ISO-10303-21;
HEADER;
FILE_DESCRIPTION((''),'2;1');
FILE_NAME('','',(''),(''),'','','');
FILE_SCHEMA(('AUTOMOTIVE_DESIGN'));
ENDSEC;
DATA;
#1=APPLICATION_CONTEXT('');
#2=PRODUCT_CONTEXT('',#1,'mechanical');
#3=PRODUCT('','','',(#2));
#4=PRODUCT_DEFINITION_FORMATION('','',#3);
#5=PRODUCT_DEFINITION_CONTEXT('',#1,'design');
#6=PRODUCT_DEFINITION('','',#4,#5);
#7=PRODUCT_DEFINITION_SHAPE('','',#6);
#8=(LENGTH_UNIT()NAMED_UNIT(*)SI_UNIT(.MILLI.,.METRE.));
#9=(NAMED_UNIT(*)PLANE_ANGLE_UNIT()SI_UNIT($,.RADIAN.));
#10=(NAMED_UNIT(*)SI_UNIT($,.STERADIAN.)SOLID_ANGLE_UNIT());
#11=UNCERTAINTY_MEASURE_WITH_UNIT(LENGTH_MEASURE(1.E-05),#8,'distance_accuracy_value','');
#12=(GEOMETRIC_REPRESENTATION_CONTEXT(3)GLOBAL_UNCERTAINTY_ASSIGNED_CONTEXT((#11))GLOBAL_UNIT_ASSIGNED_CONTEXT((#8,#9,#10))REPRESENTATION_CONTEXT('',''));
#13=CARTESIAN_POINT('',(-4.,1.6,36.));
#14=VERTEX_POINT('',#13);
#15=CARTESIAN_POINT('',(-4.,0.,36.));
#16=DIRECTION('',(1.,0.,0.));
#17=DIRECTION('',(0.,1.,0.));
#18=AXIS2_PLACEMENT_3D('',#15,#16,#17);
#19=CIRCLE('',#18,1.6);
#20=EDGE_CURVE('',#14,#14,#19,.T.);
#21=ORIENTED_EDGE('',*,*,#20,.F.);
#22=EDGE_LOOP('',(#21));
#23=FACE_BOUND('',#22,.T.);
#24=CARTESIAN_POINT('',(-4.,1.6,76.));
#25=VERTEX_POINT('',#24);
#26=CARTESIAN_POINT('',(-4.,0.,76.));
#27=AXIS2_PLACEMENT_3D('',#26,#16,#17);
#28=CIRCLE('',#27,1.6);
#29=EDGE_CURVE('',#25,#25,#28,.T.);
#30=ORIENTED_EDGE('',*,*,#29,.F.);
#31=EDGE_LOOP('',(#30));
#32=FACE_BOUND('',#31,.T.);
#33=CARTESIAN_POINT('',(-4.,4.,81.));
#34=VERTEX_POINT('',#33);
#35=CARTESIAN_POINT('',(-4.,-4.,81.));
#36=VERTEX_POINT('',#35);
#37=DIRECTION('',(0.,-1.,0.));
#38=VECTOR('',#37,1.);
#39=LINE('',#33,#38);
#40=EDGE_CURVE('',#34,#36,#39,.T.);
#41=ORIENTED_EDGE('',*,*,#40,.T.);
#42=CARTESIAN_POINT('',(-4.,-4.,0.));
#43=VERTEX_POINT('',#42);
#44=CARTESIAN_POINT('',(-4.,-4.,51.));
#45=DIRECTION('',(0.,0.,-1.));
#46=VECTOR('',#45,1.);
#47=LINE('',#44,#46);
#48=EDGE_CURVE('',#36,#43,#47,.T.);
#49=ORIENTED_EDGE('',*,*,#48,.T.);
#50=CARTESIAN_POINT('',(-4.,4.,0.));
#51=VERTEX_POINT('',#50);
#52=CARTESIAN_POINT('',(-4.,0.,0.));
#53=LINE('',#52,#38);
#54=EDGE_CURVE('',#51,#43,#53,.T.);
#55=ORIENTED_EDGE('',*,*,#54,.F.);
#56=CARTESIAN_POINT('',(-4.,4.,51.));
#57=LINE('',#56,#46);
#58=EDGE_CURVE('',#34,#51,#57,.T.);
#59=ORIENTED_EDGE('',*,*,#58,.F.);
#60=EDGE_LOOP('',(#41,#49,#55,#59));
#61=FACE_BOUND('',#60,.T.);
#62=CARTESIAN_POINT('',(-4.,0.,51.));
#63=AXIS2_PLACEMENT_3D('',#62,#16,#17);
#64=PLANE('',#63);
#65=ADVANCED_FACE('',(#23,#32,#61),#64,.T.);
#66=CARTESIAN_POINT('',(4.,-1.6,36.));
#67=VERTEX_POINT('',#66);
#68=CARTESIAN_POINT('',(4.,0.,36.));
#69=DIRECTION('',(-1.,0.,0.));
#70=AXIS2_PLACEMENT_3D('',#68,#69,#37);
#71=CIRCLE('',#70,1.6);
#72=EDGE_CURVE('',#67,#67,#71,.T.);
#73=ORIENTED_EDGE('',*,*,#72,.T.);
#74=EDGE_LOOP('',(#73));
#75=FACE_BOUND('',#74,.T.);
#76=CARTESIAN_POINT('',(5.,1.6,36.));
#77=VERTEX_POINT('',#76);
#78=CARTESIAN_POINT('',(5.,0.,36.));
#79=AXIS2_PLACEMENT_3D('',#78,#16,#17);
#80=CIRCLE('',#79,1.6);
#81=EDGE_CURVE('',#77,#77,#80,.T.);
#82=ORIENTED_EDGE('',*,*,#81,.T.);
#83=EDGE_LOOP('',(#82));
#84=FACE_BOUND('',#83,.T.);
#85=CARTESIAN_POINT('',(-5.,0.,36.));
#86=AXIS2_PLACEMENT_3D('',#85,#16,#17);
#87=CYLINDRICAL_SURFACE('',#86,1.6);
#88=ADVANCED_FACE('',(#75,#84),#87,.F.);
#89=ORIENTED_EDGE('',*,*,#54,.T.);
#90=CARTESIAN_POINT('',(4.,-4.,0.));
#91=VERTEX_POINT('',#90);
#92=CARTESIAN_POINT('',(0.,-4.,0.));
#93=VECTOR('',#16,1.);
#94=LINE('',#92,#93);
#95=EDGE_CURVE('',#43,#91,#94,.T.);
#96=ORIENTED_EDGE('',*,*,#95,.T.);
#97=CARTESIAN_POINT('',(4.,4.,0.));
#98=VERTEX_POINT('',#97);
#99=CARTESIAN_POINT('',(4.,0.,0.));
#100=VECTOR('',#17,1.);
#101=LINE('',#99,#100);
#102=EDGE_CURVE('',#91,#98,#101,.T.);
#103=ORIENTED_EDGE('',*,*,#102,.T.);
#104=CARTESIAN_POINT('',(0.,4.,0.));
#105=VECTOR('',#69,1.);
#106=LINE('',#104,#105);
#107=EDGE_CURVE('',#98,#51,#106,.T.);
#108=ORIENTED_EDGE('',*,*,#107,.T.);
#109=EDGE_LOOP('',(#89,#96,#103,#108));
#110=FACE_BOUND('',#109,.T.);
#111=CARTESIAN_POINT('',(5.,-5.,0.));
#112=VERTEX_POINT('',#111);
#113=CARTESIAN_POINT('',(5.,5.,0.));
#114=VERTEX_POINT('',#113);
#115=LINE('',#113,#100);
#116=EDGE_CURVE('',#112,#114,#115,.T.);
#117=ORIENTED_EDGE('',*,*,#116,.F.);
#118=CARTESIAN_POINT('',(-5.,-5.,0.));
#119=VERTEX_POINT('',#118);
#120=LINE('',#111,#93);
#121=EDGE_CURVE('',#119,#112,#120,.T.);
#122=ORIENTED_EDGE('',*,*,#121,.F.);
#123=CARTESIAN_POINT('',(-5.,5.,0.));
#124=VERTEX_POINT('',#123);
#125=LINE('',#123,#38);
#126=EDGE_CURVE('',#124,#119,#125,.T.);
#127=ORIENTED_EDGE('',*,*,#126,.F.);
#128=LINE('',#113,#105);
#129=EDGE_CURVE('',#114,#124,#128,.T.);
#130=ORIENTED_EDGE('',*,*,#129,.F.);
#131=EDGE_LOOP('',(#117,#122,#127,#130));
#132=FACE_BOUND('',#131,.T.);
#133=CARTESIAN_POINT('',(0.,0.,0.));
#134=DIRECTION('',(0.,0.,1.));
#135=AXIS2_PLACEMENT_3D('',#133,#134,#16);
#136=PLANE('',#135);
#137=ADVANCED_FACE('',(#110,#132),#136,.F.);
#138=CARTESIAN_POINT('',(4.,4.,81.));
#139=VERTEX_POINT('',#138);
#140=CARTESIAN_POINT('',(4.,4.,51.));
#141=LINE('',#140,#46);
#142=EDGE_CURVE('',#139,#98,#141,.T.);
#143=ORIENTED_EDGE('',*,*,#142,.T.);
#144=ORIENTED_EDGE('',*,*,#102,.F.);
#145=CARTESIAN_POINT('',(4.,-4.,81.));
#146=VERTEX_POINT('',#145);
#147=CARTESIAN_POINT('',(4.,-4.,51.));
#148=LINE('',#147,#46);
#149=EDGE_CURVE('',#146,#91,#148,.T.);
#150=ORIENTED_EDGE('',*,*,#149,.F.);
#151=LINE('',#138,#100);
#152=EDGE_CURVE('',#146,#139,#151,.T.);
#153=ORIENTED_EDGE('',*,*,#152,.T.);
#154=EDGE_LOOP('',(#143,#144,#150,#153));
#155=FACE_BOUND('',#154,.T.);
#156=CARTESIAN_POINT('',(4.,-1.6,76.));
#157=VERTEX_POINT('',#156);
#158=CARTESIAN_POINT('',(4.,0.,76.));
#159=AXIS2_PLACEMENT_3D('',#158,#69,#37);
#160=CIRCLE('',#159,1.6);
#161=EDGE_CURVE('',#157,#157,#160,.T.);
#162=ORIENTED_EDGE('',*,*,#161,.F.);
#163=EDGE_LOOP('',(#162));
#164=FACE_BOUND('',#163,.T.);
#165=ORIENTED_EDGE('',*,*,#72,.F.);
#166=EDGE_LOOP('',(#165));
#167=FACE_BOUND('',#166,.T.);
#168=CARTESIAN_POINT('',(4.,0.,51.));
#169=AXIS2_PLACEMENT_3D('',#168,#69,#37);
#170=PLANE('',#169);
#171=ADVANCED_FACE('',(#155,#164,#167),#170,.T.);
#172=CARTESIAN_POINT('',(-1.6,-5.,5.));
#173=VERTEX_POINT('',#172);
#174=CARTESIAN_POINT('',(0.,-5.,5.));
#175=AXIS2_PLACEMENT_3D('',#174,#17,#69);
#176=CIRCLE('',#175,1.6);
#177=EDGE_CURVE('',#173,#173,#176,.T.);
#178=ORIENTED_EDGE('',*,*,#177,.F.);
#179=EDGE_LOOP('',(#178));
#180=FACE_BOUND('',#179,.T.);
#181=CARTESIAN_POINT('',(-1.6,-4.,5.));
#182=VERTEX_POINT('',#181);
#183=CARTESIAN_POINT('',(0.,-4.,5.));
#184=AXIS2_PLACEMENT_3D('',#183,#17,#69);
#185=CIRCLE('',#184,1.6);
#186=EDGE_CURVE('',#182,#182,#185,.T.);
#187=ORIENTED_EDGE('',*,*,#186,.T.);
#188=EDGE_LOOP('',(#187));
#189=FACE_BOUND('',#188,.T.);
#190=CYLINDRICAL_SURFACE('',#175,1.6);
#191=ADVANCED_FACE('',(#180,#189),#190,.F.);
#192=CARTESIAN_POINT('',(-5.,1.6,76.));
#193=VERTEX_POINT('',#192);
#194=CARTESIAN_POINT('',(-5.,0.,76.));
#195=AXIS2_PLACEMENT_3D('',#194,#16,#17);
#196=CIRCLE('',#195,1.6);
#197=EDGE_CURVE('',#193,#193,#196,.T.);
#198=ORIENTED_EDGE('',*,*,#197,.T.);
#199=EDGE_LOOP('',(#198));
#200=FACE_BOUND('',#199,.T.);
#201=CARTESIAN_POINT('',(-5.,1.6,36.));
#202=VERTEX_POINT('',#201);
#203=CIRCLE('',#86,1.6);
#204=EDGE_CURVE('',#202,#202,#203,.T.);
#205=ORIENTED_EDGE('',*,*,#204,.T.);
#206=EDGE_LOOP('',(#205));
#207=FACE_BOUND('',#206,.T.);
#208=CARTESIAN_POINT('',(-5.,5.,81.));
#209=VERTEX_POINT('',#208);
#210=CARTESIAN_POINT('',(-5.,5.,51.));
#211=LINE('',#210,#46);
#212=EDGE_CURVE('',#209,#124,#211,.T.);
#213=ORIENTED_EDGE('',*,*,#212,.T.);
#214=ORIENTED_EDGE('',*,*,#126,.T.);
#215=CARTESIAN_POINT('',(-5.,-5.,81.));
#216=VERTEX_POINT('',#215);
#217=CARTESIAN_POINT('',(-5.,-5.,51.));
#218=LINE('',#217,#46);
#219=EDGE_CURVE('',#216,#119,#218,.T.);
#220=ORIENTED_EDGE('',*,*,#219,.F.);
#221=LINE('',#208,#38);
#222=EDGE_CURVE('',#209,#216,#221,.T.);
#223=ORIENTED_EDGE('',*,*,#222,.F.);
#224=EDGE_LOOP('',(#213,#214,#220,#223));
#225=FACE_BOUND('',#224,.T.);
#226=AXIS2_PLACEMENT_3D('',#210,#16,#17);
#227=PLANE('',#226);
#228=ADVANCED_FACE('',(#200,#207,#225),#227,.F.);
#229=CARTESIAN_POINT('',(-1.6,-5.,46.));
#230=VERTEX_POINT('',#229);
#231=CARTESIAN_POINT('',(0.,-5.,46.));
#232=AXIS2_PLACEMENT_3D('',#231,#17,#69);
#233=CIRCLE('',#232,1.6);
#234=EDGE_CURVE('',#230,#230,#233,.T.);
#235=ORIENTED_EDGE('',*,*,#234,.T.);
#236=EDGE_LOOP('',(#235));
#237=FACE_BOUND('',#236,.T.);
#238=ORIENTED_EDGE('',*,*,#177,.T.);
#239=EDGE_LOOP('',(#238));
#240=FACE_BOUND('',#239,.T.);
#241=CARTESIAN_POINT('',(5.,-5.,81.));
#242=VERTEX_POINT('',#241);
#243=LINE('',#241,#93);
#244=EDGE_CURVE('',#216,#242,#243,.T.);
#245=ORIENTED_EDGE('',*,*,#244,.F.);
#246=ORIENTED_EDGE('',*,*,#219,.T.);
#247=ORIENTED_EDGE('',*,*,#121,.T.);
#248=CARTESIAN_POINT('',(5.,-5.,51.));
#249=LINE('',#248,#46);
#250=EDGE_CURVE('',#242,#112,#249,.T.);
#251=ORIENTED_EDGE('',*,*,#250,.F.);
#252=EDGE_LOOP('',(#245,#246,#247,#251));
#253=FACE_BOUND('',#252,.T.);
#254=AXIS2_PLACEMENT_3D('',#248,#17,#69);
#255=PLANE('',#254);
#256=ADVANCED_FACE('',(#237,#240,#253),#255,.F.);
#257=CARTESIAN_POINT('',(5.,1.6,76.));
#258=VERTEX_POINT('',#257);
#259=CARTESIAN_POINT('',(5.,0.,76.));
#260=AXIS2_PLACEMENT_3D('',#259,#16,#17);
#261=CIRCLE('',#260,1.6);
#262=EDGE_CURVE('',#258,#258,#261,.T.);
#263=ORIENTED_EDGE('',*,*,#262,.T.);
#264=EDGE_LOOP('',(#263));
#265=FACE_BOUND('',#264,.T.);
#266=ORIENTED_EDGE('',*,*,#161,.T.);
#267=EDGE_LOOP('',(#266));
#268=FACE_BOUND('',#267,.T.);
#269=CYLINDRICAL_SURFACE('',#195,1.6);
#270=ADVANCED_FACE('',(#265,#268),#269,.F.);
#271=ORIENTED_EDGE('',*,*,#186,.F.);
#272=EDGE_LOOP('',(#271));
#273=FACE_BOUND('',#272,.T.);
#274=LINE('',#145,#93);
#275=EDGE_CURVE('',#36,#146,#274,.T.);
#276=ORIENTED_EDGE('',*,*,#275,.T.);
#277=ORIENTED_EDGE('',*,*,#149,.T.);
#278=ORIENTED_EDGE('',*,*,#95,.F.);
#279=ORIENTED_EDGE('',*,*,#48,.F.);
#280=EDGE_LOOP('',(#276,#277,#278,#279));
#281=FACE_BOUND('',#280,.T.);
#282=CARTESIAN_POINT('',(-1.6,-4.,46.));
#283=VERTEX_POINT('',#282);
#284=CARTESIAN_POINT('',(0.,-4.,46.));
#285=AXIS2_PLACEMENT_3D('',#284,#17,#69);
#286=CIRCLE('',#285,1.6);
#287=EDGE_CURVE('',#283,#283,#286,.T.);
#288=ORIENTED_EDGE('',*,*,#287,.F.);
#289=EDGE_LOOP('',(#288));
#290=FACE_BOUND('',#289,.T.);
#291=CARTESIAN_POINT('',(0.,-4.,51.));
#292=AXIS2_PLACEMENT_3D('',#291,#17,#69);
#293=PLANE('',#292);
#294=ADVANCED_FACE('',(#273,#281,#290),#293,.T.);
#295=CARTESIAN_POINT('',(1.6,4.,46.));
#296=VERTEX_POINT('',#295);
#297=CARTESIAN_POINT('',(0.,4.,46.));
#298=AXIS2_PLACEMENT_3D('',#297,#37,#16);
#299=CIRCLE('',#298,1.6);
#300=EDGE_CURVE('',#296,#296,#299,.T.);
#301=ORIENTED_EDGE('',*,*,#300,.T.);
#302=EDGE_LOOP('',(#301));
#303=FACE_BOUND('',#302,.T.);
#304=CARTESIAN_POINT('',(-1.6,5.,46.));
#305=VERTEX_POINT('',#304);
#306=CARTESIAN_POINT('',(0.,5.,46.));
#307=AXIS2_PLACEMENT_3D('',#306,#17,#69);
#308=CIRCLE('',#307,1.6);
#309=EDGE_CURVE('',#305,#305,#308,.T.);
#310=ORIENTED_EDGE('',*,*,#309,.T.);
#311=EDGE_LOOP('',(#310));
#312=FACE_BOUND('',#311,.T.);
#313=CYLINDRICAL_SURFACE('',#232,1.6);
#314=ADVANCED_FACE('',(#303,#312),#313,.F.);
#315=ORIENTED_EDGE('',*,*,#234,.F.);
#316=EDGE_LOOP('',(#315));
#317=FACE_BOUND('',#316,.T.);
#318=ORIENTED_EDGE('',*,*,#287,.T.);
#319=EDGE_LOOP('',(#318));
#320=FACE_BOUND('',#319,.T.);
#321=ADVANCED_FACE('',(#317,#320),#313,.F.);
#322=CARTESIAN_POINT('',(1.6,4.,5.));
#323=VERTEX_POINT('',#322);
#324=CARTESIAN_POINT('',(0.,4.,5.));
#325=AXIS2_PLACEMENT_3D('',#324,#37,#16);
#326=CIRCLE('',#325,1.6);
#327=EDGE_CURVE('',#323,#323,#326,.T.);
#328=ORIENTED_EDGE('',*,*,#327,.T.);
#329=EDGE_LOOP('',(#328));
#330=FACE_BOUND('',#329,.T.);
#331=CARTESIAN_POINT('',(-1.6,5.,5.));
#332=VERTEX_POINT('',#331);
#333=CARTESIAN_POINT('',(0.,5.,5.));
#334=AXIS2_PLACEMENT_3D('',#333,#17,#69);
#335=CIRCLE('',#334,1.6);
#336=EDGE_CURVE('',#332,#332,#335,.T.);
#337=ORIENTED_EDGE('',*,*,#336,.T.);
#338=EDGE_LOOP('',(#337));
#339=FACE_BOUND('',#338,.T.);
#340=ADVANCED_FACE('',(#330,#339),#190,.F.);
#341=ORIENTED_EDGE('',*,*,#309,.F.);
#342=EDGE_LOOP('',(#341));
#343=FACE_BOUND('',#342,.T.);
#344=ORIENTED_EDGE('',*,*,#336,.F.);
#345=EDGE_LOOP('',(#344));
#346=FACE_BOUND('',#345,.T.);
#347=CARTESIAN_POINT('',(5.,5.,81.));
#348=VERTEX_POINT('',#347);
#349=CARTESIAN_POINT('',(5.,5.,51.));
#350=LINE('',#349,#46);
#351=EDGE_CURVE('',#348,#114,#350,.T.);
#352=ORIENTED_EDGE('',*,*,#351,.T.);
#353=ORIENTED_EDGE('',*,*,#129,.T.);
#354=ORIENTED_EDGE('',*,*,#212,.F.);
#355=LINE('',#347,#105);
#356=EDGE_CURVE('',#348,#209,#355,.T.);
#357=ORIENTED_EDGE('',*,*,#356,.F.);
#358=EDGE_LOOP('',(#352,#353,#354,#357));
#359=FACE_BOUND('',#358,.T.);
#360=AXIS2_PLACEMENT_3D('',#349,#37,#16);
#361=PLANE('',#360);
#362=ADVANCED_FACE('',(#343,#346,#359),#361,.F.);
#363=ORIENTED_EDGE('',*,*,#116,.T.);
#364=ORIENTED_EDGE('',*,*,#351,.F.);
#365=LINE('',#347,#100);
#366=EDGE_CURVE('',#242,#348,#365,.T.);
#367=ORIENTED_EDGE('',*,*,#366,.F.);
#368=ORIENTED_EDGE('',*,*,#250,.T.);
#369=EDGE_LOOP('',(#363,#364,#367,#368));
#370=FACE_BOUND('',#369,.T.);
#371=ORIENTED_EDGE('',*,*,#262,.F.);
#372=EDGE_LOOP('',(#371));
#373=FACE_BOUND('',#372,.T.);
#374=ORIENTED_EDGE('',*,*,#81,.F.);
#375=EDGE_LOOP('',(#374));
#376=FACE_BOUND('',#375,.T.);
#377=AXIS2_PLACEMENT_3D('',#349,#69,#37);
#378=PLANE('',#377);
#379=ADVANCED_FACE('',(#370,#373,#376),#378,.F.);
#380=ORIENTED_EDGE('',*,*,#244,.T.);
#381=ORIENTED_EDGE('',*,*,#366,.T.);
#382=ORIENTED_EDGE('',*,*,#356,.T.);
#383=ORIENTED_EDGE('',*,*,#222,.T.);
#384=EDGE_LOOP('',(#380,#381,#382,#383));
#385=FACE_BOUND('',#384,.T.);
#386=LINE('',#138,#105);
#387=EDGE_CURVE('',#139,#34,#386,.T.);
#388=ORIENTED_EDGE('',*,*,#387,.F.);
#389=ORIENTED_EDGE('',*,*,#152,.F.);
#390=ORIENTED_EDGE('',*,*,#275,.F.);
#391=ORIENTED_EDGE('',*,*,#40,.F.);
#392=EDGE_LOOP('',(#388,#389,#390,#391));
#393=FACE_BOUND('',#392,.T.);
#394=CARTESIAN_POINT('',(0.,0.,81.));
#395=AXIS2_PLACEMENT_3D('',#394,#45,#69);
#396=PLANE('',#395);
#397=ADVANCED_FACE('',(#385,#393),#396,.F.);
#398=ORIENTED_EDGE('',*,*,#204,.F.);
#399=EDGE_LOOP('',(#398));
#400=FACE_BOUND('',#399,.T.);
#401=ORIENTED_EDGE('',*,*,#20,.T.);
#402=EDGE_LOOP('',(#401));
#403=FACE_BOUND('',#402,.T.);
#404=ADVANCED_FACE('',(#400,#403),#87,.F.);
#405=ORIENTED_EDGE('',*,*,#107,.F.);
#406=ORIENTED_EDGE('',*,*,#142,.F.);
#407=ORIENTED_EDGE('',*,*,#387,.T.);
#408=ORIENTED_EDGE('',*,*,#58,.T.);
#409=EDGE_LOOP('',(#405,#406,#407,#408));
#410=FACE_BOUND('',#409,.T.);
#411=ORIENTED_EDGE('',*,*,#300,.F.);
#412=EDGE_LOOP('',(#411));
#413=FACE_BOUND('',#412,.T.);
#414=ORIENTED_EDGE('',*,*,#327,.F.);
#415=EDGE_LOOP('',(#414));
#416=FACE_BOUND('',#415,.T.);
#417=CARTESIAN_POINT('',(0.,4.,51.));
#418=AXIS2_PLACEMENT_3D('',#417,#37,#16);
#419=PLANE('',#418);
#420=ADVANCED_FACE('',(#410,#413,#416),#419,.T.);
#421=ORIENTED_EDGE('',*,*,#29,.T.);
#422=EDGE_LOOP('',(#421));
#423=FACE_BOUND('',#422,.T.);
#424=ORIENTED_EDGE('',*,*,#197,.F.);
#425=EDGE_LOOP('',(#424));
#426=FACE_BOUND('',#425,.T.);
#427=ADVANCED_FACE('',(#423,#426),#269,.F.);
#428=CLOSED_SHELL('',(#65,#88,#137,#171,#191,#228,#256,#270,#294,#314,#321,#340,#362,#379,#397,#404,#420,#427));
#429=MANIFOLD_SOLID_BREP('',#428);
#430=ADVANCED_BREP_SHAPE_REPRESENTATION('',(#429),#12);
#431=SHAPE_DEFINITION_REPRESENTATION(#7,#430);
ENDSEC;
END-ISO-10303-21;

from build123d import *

# Parameters (mm, degrees)
SKETCH_1_W          = 10
SKETCH_1_H          = 10
SKETCH_1_W_2        = 8
SKETCH_1_H_2        = 8
EXTRUDE_1_DEPTH     = 51
SKETCH_2_R          = 1.6
CUT_EXTRUDE_1_DEPTH = 53.211109929
SKETCH_3_R          = 1.6
CUT_EXTRUDE_2_DEPTH = 10
SKETCH_4_W          = 10
SKETCH_4_H          = 10
SKETCH_4_W_2        = 8
SKETCH_4_H_2        = 8
EXTRUDE_1_2_DEPTH   = 30
SKETCH_5_R          = 1.6
CUT_EXTRUDE_3_DEPTH = 82.767964387


with BuildPart() as part:
    # ｽｹｯﾁ1 → Extrude 1 (new body)
    with BuildSketch(Plane.XY):
        Rectangle(SKETCH_1_W, SKETCH_1_H)
        Rectangle(SKETCH_1_W_2, SKETCH_1_H_2, mode=Mode.SUBTRACT)
    extrude(amount=EXTRUDE_1_DEPTH)

    # ｽｹｯﾁ2 → ｶｯﾄ - 押し出し1 (cut, through all)
    with BuildSketch(Plane(origin=(5, 0, 0), x_dir=(0, 0, -1), z_dir=(1, 0, 0))):
        with Locations(Location((-36, 0, 0), (0, 0, 90))):
            Circle(SKETCH_2_R)
    extrude(amount=-CUT_EXTRUDE_1_DEPTH, mode=Mode.SUBTRACT)

    # ｽｹｯﾁ3 → ｶｯﾄ - 押し出し2 (cut)
    with BuildSketch(Plane(origin=(0, 5, 0), x_dir=(1, 0, 0), z_dir=(0, 1, 0))):
        with Locations(Location((0, -46, 0), (0, 0, 180))):
            Circle(SKETCH_3_R)
        with Locations(Location((0, -5, 0), (0, 0, 180))):
            Circle(SKETCH_3_R)
    extrude(amount=-CUT_EXTRUDE_2_DEPTH, mode=Mode.SUBTRACT)

    # ｽｹｯﾁ4 → Extrude 1 2 (add)
    with BuildSketch(Plane.XY.offset(51)):
        Rectangle(SKETCH_4_W, SKETCH_4_H)
        Rectangle(SKETCH_4_W_2, SKETCH_4_H_2, mode=Mode.SUBTRACT)
    extrude(amount=EXTRUDE_1_2_DEPTH)

    # ｽｹｯﾁ5 → ｶｯﾄ - 押し出し3 (cut, through all)
    with BuildSketch(Plane(origin=(5, 0, 0), x_dir=(0, 0, -1), z_dir=(1, 0, 0))):
        with Locations(Location((-76, 0, 0), (0, 0, 90))):
            Circle(SKETCH_5_R)
    extrude(amount=-CUT_EXTRUDE_3_DEPTH, mode=Mode.SUBTRACT)


solid = part.part
